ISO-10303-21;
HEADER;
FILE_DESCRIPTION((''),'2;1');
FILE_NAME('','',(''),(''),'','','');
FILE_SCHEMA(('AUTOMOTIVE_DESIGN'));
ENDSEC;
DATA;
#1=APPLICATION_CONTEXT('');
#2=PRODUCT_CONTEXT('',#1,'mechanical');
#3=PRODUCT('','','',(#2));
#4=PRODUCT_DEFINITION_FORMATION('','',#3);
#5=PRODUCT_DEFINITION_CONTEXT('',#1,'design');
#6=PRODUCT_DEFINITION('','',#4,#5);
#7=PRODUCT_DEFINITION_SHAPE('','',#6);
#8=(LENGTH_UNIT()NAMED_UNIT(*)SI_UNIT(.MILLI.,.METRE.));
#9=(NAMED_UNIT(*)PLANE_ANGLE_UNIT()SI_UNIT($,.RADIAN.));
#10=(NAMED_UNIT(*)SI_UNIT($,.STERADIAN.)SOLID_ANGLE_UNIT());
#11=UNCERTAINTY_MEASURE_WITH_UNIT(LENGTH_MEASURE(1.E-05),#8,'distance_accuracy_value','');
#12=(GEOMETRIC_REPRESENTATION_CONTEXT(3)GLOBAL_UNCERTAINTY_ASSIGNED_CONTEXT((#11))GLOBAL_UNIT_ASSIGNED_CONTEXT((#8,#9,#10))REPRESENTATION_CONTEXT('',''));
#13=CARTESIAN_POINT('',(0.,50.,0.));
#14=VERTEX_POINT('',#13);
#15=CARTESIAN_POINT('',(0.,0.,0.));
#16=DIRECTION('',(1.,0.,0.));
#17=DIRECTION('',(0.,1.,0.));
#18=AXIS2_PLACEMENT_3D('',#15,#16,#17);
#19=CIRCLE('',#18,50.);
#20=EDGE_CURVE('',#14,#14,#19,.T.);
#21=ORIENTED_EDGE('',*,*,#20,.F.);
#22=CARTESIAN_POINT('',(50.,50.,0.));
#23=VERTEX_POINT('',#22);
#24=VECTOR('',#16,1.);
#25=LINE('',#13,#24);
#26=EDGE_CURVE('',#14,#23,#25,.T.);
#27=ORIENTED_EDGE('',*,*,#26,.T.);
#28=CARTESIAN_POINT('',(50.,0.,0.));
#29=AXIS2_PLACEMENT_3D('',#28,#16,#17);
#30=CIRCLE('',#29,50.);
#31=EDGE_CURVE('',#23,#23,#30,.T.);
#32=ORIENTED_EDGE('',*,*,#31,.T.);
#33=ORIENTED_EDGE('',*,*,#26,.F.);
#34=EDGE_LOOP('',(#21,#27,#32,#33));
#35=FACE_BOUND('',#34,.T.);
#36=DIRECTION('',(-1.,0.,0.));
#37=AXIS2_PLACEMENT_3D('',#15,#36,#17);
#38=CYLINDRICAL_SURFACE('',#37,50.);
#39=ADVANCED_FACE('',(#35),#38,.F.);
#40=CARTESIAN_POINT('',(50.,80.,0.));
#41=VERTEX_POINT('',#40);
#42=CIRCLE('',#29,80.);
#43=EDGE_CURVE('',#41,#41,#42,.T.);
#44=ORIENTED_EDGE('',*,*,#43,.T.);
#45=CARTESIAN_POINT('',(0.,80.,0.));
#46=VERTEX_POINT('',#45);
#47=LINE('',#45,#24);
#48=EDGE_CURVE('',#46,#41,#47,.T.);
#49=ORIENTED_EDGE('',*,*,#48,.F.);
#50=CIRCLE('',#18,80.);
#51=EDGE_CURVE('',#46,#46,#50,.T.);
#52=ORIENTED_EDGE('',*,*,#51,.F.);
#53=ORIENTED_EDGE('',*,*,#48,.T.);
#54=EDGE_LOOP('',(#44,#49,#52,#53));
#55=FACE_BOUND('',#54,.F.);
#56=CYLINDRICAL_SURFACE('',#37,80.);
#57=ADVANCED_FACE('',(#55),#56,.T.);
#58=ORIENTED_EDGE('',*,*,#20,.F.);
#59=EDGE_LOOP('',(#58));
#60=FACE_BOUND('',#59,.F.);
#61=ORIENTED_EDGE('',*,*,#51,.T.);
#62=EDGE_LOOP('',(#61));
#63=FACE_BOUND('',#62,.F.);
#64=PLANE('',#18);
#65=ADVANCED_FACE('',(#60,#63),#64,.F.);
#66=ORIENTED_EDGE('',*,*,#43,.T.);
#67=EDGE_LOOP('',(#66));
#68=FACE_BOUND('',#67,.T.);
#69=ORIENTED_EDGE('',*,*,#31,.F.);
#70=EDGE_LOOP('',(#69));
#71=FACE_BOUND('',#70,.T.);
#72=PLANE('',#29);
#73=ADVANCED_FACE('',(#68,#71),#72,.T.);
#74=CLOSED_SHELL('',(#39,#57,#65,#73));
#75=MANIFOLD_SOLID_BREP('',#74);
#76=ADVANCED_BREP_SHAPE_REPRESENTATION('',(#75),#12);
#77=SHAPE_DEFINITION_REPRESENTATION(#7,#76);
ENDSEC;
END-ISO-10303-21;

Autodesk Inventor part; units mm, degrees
ref_plane "YZ Plane" through (0, 0, 0) normal (1, 0, 0) x (0, 1, 0)
ref_plane "XZ Plane" through (0, 0, 0) normal (0, 1, 0) x (-1, 0, 0)
ref_plane "XY Plane" through (0, 0, 0) normal (0, 0, 1) x (1, 0, 0)
sketch "Sketch1" plane through (0, 0, 0) normal (1, 0, 0) x (0, 1, 0)
  circle A0 centre (0, 0) radius 50
  circle A1 centre (0, 0) radius 80
  dimension "d0" = 100
  dimension "d1" = 160
extrude "Extrusion1" add sketch "Sketch1" along normal blind 50
properties part number "Spaziamento1-2ipt" material "Steel, Alloy"
